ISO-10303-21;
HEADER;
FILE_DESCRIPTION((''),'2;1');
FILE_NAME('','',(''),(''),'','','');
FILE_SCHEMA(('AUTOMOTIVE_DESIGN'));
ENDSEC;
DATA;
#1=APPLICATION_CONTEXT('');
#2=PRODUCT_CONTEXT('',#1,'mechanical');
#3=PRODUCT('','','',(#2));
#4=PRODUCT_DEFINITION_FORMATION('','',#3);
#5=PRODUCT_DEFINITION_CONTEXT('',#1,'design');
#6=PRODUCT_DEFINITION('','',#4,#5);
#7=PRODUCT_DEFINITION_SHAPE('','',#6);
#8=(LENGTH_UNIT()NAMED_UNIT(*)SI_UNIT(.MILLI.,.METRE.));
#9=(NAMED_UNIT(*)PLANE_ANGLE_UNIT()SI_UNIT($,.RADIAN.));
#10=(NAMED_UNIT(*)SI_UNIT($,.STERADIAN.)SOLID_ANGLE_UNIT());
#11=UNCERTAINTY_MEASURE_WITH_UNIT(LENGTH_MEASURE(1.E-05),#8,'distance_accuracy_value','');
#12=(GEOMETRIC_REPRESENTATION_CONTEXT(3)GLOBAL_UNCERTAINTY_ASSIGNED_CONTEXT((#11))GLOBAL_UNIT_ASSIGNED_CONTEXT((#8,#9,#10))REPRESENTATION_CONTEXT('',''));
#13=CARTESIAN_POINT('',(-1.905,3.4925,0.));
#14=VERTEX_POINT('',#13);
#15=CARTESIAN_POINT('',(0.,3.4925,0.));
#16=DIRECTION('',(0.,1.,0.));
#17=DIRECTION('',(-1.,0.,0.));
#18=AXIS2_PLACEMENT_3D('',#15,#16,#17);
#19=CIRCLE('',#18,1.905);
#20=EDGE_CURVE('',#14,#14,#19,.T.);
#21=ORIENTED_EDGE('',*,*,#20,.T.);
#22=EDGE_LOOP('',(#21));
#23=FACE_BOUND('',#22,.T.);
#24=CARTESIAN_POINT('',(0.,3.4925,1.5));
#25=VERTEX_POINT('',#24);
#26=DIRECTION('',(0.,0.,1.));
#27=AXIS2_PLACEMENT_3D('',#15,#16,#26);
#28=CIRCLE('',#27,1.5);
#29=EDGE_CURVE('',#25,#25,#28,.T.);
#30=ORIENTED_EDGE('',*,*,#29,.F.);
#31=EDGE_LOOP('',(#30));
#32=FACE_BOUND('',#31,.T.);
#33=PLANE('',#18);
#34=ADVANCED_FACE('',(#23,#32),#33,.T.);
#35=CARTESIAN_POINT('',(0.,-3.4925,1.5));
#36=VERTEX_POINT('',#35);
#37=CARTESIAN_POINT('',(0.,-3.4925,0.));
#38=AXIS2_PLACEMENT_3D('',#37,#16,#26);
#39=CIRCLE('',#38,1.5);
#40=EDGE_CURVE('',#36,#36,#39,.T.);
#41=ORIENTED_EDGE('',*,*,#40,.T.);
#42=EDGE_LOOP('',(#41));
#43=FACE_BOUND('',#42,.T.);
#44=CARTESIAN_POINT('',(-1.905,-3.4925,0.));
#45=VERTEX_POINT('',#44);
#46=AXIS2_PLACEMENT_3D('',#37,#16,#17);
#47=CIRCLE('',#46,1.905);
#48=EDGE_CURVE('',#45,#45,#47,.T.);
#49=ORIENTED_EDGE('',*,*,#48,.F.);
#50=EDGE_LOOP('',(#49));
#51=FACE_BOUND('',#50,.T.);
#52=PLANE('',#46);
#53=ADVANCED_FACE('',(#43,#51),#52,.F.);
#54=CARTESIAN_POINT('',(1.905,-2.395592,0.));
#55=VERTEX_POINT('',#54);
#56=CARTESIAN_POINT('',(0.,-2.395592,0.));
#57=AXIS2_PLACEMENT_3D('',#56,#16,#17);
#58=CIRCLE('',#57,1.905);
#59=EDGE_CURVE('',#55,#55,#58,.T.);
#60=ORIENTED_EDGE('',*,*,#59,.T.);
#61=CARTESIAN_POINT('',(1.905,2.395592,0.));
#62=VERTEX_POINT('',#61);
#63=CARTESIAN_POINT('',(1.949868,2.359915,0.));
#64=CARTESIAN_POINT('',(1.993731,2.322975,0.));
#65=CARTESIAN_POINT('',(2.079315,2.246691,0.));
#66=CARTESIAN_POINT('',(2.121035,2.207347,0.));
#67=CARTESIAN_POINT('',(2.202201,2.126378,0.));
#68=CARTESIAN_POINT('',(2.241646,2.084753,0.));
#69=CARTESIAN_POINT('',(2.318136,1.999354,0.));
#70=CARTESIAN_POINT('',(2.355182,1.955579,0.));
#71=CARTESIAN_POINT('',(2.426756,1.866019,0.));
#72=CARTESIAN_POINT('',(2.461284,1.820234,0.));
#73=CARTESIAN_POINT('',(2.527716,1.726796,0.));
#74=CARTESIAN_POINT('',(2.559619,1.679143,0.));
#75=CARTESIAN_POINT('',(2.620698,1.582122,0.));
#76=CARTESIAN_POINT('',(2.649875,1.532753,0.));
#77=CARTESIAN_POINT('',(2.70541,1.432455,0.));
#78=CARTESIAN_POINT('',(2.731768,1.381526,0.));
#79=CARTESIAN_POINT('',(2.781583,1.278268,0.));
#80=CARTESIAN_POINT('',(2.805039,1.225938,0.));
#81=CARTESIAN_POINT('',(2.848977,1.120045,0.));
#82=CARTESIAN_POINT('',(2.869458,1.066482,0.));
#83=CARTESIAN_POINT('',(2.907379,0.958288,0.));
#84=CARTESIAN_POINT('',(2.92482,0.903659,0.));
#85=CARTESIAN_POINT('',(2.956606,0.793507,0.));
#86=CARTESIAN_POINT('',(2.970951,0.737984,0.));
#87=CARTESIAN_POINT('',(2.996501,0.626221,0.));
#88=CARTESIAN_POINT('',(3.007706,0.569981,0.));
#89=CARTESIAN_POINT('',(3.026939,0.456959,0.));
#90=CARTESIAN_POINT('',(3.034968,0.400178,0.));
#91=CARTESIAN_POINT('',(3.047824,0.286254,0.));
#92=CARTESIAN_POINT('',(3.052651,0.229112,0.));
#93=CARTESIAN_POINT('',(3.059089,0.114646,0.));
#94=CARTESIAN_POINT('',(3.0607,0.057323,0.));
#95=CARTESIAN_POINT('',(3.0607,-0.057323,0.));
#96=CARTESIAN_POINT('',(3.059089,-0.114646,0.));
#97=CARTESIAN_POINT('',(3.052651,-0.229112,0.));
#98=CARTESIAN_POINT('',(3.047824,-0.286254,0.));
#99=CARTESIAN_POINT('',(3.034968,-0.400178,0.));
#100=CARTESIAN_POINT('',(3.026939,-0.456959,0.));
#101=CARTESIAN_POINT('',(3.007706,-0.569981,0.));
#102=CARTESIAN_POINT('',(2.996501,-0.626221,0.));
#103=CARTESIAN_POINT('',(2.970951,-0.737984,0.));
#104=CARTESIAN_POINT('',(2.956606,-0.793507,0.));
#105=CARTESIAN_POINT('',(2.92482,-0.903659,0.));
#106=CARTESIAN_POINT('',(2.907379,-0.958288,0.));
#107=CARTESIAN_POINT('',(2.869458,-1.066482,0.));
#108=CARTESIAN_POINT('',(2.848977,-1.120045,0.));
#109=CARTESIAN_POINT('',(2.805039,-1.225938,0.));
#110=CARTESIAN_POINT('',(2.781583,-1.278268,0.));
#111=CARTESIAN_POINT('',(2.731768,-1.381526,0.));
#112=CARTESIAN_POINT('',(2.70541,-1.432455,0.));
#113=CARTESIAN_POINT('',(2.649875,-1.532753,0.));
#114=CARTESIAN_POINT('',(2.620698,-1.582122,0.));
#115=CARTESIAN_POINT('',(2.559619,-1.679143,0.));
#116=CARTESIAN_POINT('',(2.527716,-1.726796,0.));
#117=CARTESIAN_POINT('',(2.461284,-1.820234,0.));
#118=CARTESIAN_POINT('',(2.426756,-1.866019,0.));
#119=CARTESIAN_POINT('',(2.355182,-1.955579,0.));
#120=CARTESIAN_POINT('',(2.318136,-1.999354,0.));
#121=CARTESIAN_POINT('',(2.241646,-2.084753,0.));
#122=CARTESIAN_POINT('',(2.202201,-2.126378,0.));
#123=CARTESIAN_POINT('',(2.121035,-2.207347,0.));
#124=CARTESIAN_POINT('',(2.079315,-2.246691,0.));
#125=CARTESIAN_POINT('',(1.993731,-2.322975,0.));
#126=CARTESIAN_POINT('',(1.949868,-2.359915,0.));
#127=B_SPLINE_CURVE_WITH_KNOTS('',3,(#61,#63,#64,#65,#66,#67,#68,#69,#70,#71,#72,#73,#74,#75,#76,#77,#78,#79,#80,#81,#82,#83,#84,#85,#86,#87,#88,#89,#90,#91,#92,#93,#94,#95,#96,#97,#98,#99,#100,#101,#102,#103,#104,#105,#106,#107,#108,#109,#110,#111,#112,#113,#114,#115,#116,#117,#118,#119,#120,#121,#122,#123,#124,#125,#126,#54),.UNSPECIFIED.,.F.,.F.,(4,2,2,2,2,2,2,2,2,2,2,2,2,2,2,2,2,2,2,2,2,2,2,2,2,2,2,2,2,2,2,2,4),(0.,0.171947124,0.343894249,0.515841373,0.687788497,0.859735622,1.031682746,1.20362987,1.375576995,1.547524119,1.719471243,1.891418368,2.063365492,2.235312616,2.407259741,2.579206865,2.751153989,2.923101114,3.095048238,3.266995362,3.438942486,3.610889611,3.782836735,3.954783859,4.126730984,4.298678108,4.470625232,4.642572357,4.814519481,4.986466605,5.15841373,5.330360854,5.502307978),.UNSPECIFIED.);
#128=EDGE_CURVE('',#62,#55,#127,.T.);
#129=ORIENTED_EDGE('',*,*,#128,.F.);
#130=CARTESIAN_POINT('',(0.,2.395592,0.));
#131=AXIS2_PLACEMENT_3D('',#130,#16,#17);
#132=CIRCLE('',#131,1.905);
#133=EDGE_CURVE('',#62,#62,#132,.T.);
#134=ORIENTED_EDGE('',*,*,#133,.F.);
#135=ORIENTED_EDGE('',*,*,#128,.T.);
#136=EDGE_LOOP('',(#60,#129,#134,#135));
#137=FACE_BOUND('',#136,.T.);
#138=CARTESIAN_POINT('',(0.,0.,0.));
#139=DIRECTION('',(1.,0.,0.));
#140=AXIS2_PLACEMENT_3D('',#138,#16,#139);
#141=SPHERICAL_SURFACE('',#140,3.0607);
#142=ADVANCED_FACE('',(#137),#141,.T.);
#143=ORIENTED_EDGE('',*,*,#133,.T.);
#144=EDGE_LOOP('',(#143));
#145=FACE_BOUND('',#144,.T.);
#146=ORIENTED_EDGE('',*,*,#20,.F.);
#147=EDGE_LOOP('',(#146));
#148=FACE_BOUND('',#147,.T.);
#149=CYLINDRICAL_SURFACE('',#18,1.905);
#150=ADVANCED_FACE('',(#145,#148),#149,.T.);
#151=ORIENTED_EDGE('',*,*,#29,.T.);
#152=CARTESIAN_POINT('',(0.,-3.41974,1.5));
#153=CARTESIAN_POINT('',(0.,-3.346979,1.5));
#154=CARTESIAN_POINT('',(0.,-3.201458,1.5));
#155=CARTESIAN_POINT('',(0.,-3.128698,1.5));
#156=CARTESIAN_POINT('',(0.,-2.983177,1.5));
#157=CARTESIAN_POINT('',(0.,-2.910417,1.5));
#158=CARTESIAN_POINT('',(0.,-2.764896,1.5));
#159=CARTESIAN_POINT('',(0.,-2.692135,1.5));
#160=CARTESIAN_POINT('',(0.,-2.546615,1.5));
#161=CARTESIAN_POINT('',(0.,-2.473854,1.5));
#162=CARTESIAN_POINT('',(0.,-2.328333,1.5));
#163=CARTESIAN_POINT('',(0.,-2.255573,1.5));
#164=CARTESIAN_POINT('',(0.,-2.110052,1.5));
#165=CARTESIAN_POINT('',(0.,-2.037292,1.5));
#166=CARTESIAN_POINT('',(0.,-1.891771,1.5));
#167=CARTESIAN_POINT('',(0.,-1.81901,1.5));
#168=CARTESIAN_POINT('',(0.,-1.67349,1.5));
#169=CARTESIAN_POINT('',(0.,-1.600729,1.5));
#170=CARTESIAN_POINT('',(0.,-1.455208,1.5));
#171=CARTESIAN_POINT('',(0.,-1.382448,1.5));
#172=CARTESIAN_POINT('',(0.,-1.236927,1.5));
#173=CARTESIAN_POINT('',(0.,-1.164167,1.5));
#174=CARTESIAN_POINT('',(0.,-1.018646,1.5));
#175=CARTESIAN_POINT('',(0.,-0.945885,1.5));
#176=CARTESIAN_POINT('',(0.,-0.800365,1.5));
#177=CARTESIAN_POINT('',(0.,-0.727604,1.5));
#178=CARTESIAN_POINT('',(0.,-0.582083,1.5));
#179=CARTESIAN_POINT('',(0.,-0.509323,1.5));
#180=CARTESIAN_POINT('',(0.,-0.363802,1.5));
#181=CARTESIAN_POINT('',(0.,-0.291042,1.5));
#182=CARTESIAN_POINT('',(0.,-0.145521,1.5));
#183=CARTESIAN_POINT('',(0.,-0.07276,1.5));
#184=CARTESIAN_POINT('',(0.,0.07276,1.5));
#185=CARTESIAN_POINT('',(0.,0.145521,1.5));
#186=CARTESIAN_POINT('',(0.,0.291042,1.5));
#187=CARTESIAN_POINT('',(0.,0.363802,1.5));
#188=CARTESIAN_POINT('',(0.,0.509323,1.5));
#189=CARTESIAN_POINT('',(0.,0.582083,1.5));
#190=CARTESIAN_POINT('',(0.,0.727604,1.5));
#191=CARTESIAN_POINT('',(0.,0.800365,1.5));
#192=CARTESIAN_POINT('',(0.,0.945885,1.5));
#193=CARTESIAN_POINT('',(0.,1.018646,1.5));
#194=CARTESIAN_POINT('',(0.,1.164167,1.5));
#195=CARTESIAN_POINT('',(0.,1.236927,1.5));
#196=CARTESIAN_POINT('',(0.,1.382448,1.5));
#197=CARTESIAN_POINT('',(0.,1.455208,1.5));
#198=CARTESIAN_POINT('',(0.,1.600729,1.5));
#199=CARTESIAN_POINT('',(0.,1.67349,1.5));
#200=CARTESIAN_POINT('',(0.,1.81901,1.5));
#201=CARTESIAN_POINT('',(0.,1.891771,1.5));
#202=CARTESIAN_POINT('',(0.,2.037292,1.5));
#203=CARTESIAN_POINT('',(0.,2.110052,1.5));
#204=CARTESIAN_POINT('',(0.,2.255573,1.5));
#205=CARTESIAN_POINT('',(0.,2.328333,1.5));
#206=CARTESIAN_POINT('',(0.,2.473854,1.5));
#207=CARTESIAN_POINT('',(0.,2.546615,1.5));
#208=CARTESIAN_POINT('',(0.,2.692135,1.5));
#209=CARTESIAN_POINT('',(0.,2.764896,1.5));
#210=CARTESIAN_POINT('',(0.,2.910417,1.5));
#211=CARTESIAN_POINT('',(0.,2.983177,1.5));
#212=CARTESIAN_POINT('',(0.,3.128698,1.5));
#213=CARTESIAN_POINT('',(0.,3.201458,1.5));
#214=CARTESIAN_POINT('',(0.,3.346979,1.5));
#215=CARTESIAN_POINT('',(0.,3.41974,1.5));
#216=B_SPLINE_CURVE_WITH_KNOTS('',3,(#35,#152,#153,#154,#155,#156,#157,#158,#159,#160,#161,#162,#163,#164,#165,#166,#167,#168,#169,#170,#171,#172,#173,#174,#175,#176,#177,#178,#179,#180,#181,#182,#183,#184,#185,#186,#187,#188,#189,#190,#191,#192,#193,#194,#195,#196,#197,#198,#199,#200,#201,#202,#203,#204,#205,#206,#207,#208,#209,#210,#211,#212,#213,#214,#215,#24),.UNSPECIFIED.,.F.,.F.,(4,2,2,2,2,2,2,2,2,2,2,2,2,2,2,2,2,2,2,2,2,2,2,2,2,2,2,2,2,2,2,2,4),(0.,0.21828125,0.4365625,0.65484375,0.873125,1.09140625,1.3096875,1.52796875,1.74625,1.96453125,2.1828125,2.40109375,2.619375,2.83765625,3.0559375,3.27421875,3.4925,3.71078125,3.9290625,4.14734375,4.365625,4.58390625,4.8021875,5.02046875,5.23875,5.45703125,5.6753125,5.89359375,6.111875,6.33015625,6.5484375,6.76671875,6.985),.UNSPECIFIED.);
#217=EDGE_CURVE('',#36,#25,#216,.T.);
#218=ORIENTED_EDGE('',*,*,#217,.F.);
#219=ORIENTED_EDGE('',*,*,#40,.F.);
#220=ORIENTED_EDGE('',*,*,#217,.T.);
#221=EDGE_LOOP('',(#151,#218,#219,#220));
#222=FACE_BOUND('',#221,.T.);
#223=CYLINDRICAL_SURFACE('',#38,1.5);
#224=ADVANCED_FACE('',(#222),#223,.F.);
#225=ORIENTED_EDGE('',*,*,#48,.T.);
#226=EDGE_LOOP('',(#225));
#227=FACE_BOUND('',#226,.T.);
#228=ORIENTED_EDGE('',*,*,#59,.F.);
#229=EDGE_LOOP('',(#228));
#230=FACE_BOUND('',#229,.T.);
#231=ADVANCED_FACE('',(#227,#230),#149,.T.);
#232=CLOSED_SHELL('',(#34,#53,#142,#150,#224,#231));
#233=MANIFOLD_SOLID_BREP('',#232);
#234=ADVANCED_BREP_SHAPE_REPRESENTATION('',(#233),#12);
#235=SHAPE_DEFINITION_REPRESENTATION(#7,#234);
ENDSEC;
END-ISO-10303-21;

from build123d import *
from build123d.topology import SkipClean

# Parameters (mm, degrees)
CUT_EXTRUDE1_DEPTH      = 6.56177356874586
CUT_EXTRUDE1_DEPTH_BACK = 6.56177356874586
SKETCH2_R               = 1.5


with BuildPart() as part:
    # Sketch1 → Revolve1 (revolve)
    with SkipClean():  # the faces are left unmerged after this step: merging them gives an invalid solid
        with BuildSketch(Plane.XY, mode=Mode.PRIVATE) as revolve1_sk:
            with BuildLine():
                Line((1.904999999999999, 2.3955916784794526), (-4.4e-16, 2.3955916784794526))
                Line((-3.7e-16, 2.3955916784794526), (-7e-17, -2.395591678479453))
                Line((0, -2.395591678479453), (1.9049999999999987, -2.395591678479453))
                ThreePointArc((1.9049999999999983, -2.3955916784794535), (2.756675351759796, -1.329896798627624), (3.0606999999999998, -7.5e-16))
                ThreePointArc((3.0606999999999998, 0), (2.7566753517597964, 1.3298967986276231), (1.9049999999999991, 2.3955916784794526))
            make_face()
            with BuildLine():
                Line((-7e-17, -2.395591678479453), (-3.7e-16, 2.3955916784794526))
                Line((-4.4e-16, 2.3955916784794526), (-1.904999999999999, 2.3955916784794526))
                ThreePointArc((-1.9049999999999985, 2.395591678479453), (-3.0606999999999998, 3.7e-16), (-1.9049999999999991, -2.3955916784794526))
                Line((-1.905000000000001, -2.3955916784794535), (0, -2.395591678479453))
            make_face()
            with BuildLine():
                ThreePointArc((1.904999999999999, 2.395591678479453), (1.0088847901712508, 2.88964287934705), (-8.34e-14, 3.0606999999999998))
                Line((-4.1e-16, 3.0606999999999998), (-3.7e-16, 2.3955916784794526))
                Line((-4.4e-16, 2.3955916784794526), (1.904999999999999, 2.3955916784794526))
            make_face()
            with BuildLine():
                Line((-3.7e-16, 2.3955916784794526), (-4.1e-16, 3.0606999999999998))
                ThreePointArc((-8.34e-14, 3.0606999999999998), (-1.0088847901713298, 2.889642879347022), (-1.9049999999999985, 2.395591678479453))
                Line((-1.904999999999999, 2.3955916784794526), (-4.4e-16, 2.3955916784794526))
            make_face()
            with BuildLine():
                Line((1.9049999999999998, 3.4925), (-4.4e-16, 3.4925))
                Line((-4.3e-16, 3.4925), (-4.1e-16, 3.0606999999999998))
                ThreePointArc((-8.34e-14, 3.0606999999999998), (1.0088847901712508, 2.88964287934705), (1.904999999999999, 2.395591678479453))
                Line((1.904999999999999, 2.3955916784794526), (1.9049999999999998, 3.4925))
            make_face()
            with BuildLine():
                Line((1.9049999999999987, -2.395591678479453), (0, -2.395591678479453))
                Line((-7e-17, -2.395591678479453), (-3e-17, -3.0607))
                ThreePointArc((8.099e-14, -3.0606999999999998), (1.0088847901713283, -2.889642879347023), (1.9049999999999983, -2.3955916784794535))
            make_face()
            with BuildLine():
                Line((-3e-17, -3.0607), (-7e-17, -2.395591678479453))
                Line((0, -2.395591678479453), (-1.905000000000001, -2.3955916784794535))
                ThreePointArc((-1.9049999999999991, -2.3955916784794526), (-1.0088847901712523, -2.8896428793470497), (8.099e-14, -3.0606999999999998))
            make_face()
            with BuildLine():
                ThreePointArc((1.9049999999999983, -2.3955916784794535), (1.0088847901713283, -2.889642879347023), (8.099e-14, -3.0606999999999998))
                Line((-3e-17, -3.0607), (0, -3.4925))
                Line((0, -3.4925), (1.905, -3.4925))
                Line((1.9049999999999998, -3.4925), (1.904999999999999, -2.395591678479453))
            make_face()
        revolve(revolve1_sk.sketch.rotate(Axis((-4.3e-16, 3.4925, 0), (6e-17, -1, 0)), 180), axis=Axis((-4.3e-16, 3.4925, 0), (6e-17, -1, 0)))

    # Sketch2 → Cut-Extrude1 (cut, two sides: drawn at the far end of the back side and taken through both)
    with BuildSketch(Plane(origin=(0, 0, 0), x_dir=(1, 0, 0), z_dir=(0, 1, 0)).offset(-CUT_EXTRUDE1_DEPTH_BACK)):
        with Locations(Location((-4.3e-16, 0, 0), (0, 0, 270))):
            Circle(SKETCH2_R)
    extrude(amount=CUT_EXTRUDE1_DEPTH + CUT_EXTRUDE1_DEPTH_BACK, mode=Mode.SUBTRACT)


solid = part.part
